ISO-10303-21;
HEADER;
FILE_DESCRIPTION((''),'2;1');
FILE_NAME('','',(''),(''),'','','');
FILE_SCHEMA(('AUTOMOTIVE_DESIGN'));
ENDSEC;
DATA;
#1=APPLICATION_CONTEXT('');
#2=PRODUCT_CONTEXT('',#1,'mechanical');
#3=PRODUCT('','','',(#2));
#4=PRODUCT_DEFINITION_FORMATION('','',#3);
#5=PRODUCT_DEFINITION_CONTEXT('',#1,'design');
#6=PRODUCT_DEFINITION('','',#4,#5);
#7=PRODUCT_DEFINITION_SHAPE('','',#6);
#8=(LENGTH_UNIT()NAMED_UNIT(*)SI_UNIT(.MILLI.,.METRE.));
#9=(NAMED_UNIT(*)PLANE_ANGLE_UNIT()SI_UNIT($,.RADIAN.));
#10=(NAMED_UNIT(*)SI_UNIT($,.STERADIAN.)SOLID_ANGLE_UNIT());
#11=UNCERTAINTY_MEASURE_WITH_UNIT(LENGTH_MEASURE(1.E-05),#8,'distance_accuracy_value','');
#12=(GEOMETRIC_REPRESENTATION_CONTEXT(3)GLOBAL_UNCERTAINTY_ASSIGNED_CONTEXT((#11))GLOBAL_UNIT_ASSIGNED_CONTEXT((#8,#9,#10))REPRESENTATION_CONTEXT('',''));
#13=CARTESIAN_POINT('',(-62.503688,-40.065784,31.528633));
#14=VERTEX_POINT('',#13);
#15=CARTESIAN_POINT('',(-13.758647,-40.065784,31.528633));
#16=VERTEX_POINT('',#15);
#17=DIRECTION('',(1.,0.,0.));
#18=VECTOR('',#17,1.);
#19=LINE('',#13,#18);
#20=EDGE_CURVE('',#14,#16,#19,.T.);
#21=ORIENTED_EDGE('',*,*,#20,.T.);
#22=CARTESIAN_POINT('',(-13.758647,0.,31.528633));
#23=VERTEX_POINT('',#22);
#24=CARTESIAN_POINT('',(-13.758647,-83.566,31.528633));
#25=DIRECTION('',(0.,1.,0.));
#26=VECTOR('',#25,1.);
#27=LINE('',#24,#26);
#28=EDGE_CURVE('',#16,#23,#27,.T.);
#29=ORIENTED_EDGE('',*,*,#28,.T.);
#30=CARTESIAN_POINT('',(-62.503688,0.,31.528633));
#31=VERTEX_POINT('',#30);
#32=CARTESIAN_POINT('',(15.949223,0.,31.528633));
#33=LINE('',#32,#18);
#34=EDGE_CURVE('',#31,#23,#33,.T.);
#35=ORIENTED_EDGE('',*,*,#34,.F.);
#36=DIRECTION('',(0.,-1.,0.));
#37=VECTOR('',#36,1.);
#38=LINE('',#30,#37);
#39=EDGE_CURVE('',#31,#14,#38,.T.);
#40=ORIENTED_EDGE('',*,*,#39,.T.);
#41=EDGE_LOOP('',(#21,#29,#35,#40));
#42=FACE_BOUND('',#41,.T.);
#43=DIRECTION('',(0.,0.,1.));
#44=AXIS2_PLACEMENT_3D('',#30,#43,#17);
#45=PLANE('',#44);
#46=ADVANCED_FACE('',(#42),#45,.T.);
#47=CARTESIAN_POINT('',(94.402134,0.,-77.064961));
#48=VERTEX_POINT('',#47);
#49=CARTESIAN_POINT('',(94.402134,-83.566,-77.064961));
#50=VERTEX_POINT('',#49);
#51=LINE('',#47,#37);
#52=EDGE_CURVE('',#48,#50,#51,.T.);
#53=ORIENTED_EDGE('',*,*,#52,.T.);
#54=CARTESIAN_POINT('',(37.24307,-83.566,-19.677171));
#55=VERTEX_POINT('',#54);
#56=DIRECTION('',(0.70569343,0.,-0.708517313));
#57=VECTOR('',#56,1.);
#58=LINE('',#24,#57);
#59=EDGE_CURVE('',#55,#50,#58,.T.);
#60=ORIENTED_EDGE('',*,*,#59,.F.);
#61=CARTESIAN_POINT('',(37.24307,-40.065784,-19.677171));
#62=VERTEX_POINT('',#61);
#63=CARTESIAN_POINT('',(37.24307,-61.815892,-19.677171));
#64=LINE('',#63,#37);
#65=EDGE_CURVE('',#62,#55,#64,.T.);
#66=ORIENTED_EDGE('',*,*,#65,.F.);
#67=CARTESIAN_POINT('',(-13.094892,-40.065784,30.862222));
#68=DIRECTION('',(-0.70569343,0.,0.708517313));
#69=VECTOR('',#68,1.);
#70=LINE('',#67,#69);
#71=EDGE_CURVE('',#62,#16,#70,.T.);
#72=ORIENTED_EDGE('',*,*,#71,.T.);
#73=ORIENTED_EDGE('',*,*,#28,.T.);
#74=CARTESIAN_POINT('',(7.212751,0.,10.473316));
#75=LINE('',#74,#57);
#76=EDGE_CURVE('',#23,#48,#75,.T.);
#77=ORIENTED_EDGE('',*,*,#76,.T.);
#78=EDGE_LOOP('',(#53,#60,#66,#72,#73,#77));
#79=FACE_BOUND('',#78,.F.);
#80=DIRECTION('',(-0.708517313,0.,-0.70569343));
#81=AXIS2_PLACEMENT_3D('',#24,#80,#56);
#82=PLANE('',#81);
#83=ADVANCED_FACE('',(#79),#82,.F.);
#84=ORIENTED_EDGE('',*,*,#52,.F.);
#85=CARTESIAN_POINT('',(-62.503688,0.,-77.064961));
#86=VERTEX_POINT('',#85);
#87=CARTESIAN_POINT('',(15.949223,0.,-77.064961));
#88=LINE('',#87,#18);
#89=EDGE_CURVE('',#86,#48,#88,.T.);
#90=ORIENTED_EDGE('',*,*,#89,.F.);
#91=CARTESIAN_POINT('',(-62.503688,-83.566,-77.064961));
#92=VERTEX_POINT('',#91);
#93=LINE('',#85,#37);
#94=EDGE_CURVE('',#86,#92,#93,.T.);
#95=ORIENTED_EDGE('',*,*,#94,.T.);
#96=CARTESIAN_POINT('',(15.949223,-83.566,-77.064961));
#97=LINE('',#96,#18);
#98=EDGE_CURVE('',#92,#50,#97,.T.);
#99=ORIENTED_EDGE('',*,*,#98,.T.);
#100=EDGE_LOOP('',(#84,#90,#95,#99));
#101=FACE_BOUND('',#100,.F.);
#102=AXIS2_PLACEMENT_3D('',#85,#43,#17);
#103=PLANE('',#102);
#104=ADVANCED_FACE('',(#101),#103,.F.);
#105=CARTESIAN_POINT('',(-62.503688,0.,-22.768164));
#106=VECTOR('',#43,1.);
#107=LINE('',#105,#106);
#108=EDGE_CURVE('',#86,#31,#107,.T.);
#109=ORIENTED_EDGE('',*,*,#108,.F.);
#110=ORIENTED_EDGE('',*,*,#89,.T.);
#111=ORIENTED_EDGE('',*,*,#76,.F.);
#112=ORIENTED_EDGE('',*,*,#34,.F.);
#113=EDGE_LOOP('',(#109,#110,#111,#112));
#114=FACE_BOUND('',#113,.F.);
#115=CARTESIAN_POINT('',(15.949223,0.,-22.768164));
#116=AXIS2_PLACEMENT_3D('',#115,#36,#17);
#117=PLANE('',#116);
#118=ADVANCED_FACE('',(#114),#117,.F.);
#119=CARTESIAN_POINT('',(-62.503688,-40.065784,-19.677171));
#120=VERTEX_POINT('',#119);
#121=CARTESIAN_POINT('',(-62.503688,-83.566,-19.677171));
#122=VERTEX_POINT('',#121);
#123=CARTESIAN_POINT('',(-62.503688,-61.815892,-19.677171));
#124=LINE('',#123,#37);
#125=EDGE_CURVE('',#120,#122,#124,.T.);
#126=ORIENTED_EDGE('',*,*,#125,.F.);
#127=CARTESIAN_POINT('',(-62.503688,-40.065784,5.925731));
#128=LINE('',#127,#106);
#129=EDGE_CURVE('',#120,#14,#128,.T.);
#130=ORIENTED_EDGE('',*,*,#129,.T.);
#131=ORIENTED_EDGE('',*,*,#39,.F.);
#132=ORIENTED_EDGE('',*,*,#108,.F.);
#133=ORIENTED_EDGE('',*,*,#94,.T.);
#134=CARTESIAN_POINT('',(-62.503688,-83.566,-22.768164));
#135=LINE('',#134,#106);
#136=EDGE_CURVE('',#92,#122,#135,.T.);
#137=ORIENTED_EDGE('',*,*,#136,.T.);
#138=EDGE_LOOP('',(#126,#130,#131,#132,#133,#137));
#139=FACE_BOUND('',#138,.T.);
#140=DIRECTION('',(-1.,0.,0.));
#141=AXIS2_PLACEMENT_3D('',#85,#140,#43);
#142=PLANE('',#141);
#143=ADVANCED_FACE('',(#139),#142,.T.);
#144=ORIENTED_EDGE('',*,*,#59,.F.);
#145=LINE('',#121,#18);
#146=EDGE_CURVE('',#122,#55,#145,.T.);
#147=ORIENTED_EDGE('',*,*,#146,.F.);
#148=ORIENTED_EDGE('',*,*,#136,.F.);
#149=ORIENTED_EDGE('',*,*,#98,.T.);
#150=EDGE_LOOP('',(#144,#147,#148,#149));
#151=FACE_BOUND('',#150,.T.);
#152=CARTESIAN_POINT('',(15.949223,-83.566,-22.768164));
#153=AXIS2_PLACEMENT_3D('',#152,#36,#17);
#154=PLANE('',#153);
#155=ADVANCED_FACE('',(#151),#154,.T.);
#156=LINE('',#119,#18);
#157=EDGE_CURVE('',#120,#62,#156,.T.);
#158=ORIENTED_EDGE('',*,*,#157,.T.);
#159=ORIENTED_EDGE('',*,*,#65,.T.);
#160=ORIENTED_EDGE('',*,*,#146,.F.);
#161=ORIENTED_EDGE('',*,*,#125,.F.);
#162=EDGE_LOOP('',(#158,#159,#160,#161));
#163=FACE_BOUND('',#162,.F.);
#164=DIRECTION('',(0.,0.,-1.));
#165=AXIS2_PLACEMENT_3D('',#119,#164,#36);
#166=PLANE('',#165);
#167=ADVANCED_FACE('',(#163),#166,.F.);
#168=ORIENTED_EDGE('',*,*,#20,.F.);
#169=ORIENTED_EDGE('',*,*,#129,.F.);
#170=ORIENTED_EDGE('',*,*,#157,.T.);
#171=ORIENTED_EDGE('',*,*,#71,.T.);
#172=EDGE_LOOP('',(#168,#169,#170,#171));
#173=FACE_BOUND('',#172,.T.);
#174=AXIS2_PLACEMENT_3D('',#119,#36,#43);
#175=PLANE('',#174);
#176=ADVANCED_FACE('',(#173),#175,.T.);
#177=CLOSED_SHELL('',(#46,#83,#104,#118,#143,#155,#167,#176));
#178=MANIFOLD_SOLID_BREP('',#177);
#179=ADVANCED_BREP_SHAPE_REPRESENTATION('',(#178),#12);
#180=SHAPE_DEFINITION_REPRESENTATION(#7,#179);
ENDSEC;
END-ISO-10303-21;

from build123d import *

# Parameters (mm, degrees)
F0_W     = 156.905822
F0_H     = 108.593594
F1_DEPTH = 83.566
F3_DEPTH = 83.567
F4_W     = 43.500216
F4_H     = 51.205804
F5_DEPTH = 156.906822


with BuildPart() as f1:
    # F0 (on Front) → F1 (new body)
    with BuildSketch(Plane.XZ):
        with Locations((15.949223, -22.768164)):
            Rectangle(F0_W, F0_H)
    extrude(amount=F1_DEPTH)

    # F2 (on face) → F3 (cut, through all)
    with BuildSketch(Plane.XZ.offset(83.566)):
        Polygon((94.402134, 31.528633), (-13.758647, 31.528633), (94.402134, -77.064961), align=None)
    extrude(amount=-F3_DEPTH, mode=Mode.SUBTRACT)

    # F4 (on face) → F5 (cut, through all)
    with BuildSketch(Plane(origin=(-62.503688, 0, 0), x_dir=(0, -1, 0), z_dir=(-1, 0, 0))):
        with Locations((61.815892, 5.925731)):
            Rectangle(F4_W, F4_H)
    extrude(amount=-F5_DEPTH, mode=Mode.SUBTRACT)


solid = f1.part
